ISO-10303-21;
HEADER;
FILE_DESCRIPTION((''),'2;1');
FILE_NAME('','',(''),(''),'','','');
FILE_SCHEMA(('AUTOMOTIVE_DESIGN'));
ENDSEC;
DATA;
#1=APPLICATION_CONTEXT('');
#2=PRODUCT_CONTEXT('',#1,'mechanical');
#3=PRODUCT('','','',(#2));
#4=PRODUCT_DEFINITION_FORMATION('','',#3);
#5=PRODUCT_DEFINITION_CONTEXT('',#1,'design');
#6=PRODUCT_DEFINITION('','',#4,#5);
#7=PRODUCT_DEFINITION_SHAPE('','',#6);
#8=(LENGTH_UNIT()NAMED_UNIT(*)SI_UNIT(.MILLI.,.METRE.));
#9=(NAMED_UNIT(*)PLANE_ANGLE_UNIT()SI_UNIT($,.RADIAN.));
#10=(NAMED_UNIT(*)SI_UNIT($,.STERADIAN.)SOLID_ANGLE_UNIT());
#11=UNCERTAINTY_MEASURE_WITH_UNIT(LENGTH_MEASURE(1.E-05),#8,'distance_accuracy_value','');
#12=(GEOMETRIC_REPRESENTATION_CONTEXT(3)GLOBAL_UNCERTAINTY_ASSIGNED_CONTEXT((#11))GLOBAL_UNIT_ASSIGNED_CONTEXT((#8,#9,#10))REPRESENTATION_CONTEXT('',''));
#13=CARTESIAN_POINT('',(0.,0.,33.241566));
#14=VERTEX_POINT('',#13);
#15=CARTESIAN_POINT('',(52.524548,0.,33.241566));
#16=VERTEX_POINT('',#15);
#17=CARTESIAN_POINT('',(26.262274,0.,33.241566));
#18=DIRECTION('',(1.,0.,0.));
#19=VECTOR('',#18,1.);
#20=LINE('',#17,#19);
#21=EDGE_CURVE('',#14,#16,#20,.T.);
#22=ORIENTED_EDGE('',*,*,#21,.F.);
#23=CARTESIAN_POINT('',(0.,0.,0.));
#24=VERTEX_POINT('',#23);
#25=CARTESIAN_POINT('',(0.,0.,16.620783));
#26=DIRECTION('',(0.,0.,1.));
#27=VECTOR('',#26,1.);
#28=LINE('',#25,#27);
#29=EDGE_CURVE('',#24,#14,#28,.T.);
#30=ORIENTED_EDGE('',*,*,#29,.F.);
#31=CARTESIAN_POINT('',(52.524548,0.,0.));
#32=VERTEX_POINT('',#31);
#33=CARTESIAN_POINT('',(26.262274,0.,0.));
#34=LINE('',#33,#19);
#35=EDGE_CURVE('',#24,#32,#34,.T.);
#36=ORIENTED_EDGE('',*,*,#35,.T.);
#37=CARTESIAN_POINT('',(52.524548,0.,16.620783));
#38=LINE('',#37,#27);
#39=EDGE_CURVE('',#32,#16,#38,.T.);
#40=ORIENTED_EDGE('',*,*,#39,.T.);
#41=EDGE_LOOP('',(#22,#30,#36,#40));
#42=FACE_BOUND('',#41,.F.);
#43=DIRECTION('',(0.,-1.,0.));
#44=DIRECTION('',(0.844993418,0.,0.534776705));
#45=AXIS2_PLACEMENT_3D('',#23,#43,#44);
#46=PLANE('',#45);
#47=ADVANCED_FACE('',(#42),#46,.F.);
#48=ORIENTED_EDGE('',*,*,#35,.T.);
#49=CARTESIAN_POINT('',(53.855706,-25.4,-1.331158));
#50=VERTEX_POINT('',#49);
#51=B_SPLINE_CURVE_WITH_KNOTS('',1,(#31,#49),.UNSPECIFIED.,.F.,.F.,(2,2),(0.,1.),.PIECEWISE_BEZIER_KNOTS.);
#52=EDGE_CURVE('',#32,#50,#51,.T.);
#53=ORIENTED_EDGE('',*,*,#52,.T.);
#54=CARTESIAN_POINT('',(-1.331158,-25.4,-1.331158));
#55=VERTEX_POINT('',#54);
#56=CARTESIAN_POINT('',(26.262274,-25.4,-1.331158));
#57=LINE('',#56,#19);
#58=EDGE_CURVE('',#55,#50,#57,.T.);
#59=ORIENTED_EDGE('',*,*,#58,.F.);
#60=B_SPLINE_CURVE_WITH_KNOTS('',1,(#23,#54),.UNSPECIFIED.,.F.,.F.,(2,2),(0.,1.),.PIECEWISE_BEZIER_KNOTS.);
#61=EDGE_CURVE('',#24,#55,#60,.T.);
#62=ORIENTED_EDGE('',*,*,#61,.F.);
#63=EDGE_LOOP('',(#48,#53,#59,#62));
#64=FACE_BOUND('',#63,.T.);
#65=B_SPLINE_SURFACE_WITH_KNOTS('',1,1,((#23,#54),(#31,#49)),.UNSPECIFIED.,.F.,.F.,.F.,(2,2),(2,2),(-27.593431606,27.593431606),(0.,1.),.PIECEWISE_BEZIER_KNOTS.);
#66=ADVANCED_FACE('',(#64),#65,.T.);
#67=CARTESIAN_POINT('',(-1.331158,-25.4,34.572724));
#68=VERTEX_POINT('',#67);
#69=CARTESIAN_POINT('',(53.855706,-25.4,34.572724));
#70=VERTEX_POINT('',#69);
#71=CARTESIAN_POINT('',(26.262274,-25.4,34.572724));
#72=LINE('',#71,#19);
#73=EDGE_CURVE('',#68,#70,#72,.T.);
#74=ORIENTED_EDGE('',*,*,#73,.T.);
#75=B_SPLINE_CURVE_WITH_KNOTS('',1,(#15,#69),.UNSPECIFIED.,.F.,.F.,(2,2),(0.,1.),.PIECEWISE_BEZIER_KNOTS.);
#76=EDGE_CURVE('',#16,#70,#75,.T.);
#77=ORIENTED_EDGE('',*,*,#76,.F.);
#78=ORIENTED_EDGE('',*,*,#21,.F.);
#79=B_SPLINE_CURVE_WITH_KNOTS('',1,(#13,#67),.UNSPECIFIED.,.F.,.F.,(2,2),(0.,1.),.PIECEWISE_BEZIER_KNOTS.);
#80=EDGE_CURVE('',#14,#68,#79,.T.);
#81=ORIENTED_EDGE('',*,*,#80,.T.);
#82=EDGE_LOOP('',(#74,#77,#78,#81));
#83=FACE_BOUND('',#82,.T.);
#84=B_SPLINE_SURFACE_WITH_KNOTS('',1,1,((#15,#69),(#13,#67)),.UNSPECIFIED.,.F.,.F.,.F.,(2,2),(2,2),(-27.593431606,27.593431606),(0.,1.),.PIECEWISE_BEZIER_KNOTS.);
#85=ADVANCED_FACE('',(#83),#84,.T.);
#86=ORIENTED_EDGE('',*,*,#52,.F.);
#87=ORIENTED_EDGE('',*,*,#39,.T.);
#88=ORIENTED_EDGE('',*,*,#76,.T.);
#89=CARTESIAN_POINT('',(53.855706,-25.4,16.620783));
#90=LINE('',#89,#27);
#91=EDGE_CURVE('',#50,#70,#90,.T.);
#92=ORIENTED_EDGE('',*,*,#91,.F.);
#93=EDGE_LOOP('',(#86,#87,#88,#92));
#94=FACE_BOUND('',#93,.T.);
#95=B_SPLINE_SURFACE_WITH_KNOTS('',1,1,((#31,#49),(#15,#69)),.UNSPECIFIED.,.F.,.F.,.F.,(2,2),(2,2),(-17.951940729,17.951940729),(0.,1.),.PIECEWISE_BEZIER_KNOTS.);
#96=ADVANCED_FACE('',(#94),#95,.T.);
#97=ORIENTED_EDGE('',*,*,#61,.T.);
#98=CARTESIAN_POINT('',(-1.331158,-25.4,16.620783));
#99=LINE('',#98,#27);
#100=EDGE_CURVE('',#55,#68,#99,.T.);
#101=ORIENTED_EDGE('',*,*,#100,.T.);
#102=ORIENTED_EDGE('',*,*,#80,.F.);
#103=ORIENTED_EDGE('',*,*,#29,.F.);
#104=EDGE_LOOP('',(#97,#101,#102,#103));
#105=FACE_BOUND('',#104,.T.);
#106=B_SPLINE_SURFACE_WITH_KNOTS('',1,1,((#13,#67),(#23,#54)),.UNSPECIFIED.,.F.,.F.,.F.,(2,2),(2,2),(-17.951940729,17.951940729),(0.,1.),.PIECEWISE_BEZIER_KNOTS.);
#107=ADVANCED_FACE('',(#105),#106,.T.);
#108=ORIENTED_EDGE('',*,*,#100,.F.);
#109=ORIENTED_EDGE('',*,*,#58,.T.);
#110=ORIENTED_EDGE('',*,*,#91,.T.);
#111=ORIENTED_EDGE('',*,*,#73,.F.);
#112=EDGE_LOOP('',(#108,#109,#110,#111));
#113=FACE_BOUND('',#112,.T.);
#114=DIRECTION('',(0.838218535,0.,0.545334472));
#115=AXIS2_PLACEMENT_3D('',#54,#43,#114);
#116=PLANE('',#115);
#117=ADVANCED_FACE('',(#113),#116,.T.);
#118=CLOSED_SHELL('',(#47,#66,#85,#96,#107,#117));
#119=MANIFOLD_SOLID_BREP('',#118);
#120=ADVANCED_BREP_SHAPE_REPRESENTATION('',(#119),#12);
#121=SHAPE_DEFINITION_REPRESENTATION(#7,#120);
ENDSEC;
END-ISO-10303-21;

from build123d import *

# Parameters (mm, degrees)
F0_W     = 52.5245480239
F0_H     = 33.2415662706
F1_DEPTH = 25.4
F1_TAPER = -3


with BuildPart() as f1:
    # F0 (on Front) → F1 (new body)
    with BuildSketch(Plane.XZ):
        with Locations((26.262274012, 16.6207831353)):
            Rectangle(F0_W, F0_H)
    extrude(amount=F1_DEPTH, taper=F1_TAPER)


solid = f1.part
